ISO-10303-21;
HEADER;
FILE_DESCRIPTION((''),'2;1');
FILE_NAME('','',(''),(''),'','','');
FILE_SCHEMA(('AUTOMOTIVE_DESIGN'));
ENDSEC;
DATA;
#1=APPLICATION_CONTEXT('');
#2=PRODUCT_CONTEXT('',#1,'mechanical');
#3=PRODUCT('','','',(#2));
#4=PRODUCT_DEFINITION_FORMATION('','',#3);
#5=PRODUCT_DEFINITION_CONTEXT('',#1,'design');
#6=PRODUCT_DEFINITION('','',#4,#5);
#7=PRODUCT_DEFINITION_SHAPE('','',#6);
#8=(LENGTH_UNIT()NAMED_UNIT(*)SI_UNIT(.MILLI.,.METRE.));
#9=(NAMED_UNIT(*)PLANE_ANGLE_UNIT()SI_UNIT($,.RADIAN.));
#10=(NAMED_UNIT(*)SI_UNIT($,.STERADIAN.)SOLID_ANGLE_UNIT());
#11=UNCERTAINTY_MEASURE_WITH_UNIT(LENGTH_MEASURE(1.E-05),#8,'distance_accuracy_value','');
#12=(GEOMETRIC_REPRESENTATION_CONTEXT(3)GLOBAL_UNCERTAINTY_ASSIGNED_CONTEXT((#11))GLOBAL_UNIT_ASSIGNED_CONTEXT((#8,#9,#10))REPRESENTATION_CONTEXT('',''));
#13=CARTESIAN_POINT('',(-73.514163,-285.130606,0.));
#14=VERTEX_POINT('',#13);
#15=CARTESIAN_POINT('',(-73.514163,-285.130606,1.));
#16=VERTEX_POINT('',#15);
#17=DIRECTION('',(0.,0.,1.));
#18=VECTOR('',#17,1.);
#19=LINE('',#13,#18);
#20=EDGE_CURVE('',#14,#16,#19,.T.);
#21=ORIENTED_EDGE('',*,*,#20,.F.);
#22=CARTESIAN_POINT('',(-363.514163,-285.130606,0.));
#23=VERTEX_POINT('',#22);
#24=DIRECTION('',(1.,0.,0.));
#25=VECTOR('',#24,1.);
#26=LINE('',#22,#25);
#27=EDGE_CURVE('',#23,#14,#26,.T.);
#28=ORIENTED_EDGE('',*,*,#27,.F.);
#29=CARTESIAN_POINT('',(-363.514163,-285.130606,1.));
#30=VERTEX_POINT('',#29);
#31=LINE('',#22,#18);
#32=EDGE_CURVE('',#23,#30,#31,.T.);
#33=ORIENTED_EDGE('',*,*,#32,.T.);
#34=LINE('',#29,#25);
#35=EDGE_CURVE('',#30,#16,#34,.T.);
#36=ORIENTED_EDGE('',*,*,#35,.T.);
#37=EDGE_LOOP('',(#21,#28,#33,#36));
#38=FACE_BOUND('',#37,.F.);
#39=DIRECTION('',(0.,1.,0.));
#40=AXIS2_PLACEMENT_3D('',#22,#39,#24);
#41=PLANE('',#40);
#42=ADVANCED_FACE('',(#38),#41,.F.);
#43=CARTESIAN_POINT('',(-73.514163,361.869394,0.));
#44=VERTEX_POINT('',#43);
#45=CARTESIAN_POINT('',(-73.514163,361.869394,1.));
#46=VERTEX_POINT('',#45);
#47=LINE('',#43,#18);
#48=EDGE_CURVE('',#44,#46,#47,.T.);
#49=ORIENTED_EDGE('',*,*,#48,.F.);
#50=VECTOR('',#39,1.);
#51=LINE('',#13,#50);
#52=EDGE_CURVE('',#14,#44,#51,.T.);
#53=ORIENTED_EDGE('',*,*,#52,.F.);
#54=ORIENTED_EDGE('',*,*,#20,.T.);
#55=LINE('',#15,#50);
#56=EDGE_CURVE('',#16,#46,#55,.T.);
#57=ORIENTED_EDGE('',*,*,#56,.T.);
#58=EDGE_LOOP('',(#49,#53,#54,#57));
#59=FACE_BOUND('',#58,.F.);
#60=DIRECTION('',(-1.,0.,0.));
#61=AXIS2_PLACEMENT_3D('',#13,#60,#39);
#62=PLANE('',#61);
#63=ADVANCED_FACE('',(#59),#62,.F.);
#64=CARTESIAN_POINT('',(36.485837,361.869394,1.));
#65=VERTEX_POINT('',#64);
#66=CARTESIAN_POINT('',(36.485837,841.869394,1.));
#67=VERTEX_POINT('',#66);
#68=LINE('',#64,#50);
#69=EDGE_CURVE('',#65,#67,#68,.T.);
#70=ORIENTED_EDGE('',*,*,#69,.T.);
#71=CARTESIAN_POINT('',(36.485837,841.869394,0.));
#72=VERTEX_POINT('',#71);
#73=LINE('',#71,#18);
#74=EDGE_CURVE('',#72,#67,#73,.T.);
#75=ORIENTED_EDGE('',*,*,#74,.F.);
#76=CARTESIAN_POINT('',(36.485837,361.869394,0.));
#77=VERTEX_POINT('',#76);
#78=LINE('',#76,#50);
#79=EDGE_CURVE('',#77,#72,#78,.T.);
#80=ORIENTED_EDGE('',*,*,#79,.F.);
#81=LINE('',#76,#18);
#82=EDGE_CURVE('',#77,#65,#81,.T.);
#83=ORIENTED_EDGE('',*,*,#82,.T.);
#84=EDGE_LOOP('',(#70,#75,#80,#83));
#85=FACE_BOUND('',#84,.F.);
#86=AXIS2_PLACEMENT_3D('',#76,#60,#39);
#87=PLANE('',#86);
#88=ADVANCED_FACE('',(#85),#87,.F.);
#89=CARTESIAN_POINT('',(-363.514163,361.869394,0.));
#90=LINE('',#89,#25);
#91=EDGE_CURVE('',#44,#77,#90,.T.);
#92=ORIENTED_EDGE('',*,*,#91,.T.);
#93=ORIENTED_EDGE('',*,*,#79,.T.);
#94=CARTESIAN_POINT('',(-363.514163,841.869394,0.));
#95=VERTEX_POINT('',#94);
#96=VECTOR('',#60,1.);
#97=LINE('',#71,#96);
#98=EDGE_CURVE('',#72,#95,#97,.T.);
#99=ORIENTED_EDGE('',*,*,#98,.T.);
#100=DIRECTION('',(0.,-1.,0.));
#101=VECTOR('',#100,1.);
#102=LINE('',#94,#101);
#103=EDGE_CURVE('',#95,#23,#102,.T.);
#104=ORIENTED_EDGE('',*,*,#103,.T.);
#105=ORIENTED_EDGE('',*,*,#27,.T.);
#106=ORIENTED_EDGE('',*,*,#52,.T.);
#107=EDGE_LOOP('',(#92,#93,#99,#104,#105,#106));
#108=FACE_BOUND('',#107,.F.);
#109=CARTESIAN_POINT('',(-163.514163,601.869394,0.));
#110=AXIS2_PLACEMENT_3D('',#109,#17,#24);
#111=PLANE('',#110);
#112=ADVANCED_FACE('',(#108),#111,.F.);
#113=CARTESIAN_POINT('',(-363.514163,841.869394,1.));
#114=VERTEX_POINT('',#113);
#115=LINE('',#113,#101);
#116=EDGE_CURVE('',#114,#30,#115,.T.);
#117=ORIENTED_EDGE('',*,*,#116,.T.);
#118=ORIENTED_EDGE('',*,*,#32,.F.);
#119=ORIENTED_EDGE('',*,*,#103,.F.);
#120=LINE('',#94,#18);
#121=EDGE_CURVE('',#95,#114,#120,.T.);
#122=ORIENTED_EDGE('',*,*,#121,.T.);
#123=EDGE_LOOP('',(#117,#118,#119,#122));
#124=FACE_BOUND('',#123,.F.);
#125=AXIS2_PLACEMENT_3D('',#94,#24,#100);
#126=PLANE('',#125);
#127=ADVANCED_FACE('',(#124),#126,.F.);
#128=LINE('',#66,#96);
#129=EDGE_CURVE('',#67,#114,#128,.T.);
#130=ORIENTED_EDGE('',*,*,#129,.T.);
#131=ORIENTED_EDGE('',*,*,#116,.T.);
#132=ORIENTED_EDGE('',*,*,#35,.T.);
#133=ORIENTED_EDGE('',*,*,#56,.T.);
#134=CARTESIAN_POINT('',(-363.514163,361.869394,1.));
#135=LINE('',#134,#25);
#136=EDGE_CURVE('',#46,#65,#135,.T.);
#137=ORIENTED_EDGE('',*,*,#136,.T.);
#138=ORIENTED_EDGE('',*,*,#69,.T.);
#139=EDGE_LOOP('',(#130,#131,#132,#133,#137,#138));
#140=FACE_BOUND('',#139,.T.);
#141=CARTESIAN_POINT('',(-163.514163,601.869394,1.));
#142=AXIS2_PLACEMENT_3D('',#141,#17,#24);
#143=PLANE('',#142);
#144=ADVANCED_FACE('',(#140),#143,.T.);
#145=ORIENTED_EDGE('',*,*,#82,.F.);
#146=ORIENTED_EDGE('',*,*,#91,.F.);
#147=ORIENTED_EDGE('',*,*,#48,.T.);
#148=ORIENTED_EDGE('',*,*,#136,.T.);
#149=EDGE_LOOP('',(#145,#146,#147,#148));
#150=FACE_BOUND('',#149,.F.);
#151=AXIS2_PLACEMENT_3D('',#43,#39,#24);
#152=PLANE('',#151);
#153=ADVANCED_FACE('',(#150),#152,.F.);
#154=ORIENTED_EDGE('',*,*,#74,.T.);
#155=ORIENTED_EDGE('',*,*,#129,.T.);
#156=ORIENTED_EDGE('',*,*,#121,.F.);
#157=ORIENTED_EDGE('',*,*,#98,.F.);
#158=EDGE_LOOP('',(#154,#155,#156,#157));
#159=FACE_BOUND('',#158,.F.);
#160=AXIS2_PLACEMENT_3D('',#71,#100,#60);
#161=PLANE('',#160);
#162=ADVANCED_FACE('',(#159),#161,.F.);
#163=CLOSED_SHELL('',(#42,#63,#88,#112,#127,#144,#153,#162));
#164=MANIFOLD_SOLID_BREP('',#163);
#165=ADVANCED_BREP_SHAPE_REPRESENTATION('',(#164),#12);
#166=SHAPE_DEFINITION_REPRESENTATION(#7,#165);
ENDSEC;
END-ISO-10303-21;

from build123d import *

# Parameters (mm, degrees)
F0_W     = 170
F0_H     = 220
F0_H_2   = 82
F1_DEPTH = 1


with BuildPart() as f1:
    # F0 (on Top) → F1 (new body)
    with BuildSketch(Plane.XY):
        Polygon((36.485837, 841.869394), (-363.514163, 841.869394), (-363.514163, 361.869394), (-193.514163, 361.869394), (-73.514163, 361.869394), (36.485837, 361.869394), align=None)
        with Locations((-278.514163, 251.869394)):
            Rectangle(F0_W, F0_H)
        Polygon((-73.514163, 361.869394), (-193.514163, 361.869394), (-193.514163, 141.869394), (-193.514163, 59.869394), (-73.514163, 59.869394), align=None)
        with Locations((-278.514163, 100.869394)):
            Rectangle(F0_W, F0_H_2)
        Polygon((-193.514163, 59.869394), (-363.514163, 59.869394), (-363.514163, -285.130606), (-73.514163, -285.130606), (-73.514163, 59.869394), align=None)
    extrude(amount=F1_DEPTH)


solid = f1.part
